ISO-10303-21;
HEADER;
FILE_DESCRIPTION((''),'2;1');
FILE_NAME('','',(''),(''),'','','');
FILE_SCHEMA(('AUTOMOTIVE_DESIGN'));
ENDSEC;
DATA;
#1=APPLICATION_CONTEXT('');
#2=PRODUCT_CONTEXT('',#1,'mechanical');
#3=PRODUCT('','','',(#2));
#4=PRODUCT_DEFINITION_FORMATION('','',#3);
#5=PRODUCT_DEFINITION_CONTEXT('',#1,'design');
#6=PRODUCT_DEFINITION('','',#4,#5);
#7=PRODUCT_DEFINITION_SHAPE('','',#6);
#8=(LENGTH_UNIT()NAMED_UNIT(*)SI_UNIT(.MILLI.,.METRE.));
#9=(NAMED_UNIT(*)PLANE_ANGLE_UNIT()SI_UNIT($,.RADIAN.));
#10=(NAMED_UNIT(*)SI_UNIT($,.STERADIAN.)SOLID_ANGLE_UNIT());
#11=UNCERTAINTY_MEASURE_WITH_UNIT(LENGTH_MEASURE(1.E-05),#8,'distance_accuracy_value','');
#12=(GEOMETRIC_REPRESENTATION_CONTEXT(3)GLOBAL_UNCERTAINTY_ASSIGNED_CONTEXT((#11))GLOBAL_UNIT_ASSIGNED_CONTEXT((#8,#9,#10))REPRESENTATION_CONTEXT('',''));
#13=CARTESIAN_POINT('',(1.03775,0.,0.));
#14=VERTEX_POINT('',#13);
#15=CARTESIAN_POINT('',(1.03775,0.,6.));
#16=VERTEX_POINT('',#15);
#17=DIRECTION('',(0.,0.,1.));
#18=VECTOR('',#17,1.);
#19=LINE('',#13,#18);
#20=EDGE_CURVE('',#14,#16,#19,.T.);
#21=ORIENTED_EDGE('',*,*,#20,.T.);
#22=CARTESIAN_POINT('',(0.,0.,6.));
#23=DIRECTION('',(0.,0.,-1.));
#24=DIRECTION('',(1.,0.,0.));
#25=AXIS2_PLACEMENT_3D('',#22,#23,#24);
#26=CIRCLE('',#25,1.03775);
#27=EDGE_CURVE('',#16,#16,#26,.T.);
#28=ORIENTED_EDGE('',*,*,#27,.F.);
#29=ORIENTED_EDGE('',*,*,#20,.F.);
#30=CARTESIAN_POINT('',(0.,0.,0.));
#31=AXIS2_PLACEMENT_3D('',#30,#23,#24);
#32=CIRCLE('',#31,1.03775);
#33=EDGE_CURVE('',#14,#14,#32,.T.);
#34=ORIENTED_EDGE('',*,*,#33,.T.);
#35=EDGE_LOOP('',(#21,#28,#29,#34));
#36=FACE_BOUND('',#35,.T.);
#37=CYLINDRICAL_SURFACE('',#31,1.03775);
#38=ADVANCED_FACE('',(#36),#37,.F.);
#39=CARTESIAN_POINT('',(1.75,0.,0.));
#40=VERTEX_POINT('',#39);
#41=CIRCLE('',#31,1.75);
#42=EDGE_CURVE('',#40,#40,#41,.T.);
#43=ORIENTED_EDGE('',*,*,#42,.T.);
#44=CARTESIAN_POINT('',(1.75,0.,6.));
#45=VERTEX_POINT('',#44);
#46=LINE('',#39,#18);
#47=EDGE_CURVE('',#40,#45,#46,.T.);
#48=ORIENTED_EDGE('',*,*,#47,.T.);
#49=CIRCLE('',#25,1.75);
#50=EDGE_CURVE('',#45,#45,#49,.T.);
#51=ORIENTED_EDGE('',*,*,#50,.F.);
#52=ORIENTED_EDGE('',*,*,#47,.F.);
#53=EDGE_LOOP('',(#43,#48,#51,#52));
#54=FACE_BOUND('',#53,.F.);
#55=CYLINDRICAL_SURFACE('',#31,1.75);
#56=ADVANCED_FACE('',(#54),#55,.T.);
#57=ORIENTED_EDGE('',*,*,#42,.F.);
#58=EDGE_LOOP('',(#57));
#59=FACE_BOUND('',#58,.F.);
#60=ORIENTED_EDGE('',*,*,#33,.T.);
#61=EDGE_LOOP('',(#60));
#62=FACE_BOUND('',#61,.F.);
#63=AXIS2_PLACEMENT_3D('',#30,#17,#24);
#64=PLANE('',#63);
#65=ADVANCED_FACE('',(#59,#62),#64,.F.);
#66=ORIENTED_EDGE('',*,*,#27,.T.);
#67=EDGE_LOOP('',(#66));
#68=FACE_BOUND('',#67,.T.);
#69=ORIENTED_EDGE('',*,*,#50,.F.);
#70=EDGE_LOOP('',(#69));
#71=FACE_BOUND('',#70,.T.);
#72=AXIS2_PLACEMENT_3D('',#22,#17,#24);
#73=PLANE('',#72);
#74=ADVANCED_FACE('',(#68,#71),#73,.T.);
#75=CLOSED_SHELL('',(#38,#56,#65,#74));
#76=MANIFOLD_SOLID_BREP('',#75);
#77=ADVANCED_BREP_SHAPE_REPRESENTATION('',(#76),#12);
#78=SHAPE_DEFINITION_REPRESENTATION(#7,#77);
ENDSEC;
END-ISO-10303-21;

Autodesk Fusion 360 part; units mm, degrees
sketch "Sketch1" plane through (0, 0, 0) normal (0, 0, 1) x (1, 0, 0)
  circle A0 centre (0, 0) radius 1.75
  circle A1 centre (0, 0) radius 1.25
  dimension "d1" = 3.5
  dimension "d2" = 2.5
extrude "Extrude1" add sketch "Sketch1" along normal blind 6
thread "Thread1" "ISO Metric profile 2.5 M2.5x0.45 M2.5x0.45 6H" major diameter 2.58 minor diameter 2.0755 pitch 0.45 angle 60 resizes the face on face at (1.2484, -0.0623, 4)
